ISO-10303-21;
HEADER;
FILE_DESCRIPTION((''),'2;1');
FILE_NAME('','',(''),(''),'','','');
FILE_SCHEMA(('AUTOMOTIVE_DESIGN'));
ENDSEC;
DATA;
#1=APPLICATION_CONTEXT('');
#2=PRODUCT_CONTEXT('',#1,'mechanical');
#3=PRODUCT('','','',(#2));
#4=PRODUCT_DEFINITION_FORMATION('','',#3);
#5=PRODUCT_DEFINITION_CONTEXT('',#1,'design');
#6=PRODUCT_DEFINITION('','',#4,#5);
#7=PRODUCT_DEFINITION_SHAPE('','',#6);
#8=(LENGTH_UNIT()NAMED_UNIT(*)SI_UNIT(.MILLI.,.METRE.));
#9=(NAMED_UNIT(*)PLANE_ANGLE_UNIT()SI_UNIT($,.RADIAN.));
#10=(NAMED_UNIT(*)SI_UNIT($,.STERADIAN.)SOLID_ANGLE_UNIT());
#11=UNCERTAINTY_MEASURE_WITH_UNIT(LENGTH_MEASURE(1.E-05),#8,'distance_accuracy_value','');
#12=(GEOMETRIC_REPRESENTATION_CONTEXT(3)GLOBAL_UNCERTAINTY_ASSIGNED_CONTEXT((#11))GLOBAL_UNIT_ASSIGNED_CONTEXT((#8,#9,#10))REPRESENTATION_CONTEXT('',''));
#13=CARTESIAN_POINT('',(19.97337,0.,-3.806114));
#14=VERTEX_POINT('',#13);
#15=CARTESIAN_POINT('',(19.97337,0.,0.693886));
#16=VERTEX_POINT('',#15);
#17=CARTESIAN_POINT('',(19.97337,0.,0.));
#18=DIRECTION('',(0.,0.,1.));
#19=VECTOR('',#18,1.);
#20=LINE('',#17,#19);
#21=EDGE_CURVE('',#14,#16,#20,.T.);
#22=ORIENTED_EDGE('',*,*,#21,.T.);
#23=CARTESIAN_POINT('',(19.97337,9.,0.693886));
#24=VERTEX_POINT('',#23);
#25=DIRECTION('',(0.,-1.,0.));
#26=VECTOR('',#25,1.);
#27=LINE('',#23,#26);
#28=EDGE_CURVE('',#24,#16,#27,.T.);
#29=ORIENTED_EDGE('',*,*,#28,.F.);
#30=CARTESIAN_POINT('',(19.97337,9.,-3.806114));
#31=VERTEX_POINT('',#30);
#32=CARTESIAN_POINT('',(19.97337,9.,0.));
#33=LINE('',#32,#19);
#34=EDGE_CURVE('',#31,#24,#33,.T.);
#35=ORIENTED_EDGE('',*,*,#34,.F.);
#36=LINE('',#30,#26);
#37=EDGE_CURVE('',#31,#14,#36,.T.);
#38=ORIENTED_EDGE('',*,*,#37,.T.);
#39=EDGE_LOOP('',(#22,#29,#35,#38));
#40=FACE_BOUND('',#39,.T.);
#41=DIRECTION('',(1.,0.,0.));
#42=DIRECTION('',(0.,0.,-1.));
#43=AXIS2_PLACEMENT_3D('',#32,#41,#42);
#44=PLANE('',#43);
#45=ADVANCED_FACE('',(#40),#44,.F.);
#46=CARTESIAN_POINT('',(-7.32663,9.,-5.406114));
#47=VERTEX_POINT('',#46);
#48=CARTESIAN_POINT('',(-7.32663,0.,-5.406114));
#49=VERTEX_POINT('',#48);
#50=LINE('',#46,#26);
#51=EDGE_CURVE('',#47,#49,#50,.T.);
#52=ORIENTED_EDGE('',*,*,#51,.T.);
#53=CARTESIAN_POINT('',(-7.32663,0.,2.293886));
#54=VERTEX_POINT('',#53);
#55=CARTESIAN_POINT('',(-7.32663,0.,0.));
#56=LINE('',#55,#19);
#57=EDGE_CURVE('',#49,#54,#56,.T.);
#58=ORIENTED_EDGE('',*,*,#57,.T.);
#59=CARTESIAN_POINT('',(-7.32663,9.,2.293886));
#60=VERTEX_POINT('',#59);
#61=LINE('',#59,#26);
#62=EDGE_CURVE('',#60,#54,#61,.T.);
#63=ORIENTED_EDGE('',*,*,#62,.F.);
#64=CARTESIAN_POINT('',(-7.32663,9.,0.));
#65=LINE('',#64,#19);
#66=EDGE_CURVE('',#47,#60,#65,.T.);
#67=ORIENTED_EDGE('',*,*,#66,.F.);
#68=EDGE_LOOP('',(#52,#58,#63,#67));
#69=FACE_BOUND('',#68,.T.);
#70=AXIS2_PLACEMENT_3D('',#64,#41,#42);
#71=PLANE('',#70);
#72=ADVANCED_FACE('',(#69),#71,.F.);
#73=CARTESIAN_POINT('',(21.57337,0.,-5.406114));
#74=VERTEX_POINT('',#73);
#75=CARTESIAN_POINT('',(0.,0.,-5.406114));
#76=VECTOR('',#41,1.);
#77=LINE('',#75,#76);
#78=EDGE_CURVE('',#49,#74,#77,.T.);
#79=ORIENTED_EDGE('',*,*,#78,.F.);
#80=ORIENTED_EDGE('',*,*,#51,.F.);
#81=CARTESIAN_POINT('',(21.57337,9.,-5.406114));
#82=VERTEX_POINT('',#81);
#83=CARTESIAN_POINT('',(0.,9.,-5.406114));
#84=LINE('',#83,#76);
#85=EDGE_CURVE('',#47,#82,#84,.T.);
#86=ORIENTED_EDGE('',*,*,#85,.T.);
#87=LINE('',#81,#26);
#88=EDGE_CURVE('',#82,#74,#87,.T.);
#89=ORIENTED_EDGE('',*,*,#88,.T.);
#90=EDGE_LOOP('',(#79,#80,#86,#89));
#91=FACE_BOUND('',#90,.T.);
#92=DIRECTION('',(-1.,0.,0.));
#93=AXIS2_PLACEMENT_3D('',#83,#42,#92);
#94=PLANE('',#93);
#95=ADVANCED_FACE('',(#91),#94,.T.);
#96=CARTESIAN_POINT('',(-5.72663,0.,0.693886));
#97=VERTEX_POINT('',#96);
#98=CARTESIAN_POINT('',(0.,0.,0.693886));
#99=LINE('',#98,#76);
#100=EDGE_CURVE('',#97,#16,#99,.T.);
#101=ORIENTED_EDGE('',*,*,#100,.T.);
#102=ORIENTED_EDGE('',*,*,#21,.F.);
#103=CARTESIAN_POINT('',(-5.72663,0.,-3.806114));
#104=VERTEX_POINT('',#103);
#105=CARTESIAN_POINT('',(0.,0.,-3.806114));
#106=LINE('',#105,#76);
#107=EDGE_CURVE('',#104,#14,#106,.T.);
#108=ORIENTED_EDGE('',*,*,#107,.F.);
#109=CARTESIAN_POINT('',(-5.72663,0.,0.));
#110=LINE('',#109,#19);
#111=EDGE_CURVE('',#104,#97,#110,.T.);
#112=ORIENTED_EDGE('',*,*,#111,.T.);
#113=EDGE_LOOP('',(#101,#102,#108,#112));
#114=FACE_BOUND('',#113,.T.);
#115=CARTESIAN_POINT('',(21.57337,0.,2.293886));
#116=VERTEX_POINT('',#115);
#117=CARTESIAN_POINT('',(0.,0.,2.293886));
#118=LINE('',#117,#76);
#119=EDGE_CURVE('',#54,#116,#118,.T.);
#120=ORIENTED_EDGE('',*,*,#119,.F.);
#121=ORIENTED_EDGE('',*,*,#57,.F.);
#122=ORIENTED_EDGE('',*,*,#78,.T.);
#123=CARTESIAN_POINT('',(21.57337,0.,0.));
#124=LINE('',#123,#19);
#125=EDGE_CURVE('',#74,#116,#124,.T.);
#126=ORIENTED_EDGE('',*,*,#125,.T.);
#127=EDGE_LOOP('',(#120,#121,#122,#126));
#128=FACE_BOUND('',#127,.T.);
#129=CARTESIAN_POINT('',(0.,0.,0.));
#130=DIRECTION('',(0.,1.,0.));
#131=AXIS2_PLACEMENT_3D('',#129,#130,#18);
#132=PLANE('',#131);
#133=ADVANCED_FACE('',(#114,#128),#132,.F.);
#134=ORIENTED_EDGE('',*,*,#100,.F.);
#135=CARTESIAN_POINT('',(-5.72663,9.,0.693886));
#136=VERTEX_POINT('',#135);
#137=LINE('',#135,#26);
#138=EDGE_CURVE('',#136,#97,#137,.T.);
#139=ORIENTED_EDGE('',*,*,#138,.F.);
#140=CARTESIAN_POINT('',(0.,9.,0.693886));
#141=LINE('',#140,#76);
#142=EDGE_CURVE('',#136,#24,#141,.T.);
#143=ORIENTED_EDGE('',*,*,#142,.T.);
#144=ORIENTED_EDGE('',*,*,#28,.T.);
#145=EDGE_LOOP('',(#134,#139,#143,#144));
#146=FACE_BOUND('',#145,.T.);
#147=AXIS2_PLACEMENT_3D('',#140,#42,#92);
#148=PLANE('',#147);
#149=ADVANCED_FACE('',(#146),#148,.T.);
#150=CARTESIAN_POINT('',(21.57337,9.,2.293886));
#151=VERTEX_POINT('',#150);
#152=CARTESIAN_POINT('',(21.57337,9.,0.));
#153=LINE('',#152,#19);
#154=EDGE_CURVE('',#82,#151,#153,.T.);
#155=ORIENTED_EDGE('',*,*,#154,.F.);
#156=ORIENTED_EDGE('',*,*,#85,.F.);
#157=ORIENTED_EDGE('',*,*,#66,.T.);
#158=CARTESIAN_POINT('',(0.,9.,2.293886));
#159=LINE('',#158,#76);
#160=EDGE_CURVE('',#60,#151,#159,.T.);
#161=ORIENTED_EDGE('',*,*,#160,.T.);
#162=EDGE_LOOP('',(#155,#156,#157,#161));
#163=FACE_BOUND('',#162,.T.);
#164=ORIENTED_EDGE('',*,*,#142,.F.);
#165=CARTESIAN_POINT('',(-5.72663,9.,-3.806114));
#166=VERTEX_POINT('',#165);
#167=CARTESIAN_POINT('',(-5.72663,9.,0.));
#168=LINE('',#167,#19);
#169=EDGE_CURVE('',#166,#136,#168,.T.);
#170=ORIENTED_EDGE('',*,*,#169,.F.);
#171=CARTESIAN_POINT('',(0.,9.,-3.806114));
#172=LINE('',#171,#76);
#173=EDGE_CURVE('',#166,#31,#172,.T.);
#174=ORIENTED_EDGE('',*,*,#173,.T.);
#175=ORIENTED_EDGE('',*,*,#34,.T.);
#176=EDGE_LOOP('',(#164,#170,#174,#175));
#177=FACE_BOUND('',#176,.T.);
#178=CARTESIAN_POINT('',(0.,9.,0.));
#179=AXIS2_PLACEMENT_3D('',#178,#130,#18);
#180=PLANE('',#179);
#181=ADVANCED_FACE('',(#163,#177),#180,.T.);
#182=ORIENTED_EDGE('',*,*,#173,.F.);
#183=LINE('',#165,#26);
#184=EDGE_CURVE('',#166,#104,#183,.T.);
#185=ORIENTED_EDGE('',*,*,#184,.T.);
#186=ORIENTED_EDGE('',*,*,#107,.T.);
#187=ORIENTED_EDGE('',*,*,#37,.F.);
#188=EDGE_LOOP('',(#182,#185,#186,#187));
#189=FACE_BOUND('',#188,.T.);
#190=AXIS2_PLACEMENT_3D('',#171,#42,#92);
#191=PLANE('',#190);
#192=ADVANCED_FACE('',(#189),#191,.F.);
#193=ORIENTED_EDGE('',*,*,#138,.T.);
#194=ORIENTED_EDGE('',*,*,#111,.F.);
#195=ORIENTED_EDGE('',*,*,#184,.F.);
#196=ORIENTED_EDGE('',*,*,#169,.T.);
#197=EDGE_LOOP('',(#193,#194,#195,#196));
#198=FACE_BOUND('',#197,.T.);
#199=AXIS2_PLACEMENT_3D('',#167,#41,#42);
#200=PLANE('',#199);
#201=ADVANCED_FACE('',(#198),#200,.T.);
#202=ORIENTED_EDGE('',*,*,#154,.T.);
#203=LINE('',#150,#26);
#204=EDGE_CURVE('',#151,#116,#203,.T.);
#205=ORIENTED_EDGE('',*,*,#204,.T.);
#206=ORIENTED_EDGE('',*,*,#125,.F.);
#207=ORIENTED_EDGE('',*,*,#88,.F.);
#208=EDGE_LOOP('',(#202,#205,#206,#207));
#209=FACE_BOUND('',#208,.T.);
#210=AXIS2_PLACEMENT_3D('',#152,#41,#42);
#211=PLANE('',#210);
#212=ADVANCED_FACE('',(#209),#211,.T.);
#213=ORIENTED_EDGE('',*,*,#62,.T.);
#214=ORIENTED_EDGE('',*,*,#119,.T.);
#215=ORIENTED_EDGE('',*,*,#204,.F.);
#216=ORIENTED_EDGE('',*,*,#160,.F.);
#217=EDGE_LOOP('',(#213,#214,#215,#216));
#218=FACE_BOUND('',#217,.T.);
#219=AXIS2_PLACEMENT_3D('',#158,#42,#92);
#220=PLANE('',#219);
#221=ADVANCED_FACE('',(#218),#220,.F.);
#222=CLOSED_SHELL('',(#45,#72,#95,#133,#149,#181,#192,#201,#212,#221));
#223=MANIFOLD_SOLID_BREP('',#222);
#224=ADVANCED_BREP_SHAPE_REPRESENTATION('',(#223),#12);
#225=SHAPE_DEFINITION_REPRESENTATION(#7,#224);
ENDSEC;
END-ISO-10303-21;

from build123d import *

# Parameters (mm, degrees)
SKETCH1_W           = 28.9
SKETCH1_H           = 7.7
SKETCH1_W_2         = 25.7
SKETCH1_H_2         = 4.5
BOSS_EXTRUDE1_DEPTH = 9


with BuildPart() as part:
    # Sketch1 → Boss-Extrude1 (new body)
    with BuildSketch(Plane(origin=(0, 0, 0), x_dir=(1, 0, 0), z_dir=(0, 1, 0))):
        with Locations((7.123369565, 1.55611413)):
            Rectangle(SKETCH1_W, SKETCH1_H)
        with Locations((7.123369565, 1.55611413)):
            Rectangle(SKETCH1_W_2, SKETCH1_H_2, mode=Mode.SUBTRACT)
    extrude(amount=BOSS_EXTRUDE1_DEPTH)


solid = part.part
